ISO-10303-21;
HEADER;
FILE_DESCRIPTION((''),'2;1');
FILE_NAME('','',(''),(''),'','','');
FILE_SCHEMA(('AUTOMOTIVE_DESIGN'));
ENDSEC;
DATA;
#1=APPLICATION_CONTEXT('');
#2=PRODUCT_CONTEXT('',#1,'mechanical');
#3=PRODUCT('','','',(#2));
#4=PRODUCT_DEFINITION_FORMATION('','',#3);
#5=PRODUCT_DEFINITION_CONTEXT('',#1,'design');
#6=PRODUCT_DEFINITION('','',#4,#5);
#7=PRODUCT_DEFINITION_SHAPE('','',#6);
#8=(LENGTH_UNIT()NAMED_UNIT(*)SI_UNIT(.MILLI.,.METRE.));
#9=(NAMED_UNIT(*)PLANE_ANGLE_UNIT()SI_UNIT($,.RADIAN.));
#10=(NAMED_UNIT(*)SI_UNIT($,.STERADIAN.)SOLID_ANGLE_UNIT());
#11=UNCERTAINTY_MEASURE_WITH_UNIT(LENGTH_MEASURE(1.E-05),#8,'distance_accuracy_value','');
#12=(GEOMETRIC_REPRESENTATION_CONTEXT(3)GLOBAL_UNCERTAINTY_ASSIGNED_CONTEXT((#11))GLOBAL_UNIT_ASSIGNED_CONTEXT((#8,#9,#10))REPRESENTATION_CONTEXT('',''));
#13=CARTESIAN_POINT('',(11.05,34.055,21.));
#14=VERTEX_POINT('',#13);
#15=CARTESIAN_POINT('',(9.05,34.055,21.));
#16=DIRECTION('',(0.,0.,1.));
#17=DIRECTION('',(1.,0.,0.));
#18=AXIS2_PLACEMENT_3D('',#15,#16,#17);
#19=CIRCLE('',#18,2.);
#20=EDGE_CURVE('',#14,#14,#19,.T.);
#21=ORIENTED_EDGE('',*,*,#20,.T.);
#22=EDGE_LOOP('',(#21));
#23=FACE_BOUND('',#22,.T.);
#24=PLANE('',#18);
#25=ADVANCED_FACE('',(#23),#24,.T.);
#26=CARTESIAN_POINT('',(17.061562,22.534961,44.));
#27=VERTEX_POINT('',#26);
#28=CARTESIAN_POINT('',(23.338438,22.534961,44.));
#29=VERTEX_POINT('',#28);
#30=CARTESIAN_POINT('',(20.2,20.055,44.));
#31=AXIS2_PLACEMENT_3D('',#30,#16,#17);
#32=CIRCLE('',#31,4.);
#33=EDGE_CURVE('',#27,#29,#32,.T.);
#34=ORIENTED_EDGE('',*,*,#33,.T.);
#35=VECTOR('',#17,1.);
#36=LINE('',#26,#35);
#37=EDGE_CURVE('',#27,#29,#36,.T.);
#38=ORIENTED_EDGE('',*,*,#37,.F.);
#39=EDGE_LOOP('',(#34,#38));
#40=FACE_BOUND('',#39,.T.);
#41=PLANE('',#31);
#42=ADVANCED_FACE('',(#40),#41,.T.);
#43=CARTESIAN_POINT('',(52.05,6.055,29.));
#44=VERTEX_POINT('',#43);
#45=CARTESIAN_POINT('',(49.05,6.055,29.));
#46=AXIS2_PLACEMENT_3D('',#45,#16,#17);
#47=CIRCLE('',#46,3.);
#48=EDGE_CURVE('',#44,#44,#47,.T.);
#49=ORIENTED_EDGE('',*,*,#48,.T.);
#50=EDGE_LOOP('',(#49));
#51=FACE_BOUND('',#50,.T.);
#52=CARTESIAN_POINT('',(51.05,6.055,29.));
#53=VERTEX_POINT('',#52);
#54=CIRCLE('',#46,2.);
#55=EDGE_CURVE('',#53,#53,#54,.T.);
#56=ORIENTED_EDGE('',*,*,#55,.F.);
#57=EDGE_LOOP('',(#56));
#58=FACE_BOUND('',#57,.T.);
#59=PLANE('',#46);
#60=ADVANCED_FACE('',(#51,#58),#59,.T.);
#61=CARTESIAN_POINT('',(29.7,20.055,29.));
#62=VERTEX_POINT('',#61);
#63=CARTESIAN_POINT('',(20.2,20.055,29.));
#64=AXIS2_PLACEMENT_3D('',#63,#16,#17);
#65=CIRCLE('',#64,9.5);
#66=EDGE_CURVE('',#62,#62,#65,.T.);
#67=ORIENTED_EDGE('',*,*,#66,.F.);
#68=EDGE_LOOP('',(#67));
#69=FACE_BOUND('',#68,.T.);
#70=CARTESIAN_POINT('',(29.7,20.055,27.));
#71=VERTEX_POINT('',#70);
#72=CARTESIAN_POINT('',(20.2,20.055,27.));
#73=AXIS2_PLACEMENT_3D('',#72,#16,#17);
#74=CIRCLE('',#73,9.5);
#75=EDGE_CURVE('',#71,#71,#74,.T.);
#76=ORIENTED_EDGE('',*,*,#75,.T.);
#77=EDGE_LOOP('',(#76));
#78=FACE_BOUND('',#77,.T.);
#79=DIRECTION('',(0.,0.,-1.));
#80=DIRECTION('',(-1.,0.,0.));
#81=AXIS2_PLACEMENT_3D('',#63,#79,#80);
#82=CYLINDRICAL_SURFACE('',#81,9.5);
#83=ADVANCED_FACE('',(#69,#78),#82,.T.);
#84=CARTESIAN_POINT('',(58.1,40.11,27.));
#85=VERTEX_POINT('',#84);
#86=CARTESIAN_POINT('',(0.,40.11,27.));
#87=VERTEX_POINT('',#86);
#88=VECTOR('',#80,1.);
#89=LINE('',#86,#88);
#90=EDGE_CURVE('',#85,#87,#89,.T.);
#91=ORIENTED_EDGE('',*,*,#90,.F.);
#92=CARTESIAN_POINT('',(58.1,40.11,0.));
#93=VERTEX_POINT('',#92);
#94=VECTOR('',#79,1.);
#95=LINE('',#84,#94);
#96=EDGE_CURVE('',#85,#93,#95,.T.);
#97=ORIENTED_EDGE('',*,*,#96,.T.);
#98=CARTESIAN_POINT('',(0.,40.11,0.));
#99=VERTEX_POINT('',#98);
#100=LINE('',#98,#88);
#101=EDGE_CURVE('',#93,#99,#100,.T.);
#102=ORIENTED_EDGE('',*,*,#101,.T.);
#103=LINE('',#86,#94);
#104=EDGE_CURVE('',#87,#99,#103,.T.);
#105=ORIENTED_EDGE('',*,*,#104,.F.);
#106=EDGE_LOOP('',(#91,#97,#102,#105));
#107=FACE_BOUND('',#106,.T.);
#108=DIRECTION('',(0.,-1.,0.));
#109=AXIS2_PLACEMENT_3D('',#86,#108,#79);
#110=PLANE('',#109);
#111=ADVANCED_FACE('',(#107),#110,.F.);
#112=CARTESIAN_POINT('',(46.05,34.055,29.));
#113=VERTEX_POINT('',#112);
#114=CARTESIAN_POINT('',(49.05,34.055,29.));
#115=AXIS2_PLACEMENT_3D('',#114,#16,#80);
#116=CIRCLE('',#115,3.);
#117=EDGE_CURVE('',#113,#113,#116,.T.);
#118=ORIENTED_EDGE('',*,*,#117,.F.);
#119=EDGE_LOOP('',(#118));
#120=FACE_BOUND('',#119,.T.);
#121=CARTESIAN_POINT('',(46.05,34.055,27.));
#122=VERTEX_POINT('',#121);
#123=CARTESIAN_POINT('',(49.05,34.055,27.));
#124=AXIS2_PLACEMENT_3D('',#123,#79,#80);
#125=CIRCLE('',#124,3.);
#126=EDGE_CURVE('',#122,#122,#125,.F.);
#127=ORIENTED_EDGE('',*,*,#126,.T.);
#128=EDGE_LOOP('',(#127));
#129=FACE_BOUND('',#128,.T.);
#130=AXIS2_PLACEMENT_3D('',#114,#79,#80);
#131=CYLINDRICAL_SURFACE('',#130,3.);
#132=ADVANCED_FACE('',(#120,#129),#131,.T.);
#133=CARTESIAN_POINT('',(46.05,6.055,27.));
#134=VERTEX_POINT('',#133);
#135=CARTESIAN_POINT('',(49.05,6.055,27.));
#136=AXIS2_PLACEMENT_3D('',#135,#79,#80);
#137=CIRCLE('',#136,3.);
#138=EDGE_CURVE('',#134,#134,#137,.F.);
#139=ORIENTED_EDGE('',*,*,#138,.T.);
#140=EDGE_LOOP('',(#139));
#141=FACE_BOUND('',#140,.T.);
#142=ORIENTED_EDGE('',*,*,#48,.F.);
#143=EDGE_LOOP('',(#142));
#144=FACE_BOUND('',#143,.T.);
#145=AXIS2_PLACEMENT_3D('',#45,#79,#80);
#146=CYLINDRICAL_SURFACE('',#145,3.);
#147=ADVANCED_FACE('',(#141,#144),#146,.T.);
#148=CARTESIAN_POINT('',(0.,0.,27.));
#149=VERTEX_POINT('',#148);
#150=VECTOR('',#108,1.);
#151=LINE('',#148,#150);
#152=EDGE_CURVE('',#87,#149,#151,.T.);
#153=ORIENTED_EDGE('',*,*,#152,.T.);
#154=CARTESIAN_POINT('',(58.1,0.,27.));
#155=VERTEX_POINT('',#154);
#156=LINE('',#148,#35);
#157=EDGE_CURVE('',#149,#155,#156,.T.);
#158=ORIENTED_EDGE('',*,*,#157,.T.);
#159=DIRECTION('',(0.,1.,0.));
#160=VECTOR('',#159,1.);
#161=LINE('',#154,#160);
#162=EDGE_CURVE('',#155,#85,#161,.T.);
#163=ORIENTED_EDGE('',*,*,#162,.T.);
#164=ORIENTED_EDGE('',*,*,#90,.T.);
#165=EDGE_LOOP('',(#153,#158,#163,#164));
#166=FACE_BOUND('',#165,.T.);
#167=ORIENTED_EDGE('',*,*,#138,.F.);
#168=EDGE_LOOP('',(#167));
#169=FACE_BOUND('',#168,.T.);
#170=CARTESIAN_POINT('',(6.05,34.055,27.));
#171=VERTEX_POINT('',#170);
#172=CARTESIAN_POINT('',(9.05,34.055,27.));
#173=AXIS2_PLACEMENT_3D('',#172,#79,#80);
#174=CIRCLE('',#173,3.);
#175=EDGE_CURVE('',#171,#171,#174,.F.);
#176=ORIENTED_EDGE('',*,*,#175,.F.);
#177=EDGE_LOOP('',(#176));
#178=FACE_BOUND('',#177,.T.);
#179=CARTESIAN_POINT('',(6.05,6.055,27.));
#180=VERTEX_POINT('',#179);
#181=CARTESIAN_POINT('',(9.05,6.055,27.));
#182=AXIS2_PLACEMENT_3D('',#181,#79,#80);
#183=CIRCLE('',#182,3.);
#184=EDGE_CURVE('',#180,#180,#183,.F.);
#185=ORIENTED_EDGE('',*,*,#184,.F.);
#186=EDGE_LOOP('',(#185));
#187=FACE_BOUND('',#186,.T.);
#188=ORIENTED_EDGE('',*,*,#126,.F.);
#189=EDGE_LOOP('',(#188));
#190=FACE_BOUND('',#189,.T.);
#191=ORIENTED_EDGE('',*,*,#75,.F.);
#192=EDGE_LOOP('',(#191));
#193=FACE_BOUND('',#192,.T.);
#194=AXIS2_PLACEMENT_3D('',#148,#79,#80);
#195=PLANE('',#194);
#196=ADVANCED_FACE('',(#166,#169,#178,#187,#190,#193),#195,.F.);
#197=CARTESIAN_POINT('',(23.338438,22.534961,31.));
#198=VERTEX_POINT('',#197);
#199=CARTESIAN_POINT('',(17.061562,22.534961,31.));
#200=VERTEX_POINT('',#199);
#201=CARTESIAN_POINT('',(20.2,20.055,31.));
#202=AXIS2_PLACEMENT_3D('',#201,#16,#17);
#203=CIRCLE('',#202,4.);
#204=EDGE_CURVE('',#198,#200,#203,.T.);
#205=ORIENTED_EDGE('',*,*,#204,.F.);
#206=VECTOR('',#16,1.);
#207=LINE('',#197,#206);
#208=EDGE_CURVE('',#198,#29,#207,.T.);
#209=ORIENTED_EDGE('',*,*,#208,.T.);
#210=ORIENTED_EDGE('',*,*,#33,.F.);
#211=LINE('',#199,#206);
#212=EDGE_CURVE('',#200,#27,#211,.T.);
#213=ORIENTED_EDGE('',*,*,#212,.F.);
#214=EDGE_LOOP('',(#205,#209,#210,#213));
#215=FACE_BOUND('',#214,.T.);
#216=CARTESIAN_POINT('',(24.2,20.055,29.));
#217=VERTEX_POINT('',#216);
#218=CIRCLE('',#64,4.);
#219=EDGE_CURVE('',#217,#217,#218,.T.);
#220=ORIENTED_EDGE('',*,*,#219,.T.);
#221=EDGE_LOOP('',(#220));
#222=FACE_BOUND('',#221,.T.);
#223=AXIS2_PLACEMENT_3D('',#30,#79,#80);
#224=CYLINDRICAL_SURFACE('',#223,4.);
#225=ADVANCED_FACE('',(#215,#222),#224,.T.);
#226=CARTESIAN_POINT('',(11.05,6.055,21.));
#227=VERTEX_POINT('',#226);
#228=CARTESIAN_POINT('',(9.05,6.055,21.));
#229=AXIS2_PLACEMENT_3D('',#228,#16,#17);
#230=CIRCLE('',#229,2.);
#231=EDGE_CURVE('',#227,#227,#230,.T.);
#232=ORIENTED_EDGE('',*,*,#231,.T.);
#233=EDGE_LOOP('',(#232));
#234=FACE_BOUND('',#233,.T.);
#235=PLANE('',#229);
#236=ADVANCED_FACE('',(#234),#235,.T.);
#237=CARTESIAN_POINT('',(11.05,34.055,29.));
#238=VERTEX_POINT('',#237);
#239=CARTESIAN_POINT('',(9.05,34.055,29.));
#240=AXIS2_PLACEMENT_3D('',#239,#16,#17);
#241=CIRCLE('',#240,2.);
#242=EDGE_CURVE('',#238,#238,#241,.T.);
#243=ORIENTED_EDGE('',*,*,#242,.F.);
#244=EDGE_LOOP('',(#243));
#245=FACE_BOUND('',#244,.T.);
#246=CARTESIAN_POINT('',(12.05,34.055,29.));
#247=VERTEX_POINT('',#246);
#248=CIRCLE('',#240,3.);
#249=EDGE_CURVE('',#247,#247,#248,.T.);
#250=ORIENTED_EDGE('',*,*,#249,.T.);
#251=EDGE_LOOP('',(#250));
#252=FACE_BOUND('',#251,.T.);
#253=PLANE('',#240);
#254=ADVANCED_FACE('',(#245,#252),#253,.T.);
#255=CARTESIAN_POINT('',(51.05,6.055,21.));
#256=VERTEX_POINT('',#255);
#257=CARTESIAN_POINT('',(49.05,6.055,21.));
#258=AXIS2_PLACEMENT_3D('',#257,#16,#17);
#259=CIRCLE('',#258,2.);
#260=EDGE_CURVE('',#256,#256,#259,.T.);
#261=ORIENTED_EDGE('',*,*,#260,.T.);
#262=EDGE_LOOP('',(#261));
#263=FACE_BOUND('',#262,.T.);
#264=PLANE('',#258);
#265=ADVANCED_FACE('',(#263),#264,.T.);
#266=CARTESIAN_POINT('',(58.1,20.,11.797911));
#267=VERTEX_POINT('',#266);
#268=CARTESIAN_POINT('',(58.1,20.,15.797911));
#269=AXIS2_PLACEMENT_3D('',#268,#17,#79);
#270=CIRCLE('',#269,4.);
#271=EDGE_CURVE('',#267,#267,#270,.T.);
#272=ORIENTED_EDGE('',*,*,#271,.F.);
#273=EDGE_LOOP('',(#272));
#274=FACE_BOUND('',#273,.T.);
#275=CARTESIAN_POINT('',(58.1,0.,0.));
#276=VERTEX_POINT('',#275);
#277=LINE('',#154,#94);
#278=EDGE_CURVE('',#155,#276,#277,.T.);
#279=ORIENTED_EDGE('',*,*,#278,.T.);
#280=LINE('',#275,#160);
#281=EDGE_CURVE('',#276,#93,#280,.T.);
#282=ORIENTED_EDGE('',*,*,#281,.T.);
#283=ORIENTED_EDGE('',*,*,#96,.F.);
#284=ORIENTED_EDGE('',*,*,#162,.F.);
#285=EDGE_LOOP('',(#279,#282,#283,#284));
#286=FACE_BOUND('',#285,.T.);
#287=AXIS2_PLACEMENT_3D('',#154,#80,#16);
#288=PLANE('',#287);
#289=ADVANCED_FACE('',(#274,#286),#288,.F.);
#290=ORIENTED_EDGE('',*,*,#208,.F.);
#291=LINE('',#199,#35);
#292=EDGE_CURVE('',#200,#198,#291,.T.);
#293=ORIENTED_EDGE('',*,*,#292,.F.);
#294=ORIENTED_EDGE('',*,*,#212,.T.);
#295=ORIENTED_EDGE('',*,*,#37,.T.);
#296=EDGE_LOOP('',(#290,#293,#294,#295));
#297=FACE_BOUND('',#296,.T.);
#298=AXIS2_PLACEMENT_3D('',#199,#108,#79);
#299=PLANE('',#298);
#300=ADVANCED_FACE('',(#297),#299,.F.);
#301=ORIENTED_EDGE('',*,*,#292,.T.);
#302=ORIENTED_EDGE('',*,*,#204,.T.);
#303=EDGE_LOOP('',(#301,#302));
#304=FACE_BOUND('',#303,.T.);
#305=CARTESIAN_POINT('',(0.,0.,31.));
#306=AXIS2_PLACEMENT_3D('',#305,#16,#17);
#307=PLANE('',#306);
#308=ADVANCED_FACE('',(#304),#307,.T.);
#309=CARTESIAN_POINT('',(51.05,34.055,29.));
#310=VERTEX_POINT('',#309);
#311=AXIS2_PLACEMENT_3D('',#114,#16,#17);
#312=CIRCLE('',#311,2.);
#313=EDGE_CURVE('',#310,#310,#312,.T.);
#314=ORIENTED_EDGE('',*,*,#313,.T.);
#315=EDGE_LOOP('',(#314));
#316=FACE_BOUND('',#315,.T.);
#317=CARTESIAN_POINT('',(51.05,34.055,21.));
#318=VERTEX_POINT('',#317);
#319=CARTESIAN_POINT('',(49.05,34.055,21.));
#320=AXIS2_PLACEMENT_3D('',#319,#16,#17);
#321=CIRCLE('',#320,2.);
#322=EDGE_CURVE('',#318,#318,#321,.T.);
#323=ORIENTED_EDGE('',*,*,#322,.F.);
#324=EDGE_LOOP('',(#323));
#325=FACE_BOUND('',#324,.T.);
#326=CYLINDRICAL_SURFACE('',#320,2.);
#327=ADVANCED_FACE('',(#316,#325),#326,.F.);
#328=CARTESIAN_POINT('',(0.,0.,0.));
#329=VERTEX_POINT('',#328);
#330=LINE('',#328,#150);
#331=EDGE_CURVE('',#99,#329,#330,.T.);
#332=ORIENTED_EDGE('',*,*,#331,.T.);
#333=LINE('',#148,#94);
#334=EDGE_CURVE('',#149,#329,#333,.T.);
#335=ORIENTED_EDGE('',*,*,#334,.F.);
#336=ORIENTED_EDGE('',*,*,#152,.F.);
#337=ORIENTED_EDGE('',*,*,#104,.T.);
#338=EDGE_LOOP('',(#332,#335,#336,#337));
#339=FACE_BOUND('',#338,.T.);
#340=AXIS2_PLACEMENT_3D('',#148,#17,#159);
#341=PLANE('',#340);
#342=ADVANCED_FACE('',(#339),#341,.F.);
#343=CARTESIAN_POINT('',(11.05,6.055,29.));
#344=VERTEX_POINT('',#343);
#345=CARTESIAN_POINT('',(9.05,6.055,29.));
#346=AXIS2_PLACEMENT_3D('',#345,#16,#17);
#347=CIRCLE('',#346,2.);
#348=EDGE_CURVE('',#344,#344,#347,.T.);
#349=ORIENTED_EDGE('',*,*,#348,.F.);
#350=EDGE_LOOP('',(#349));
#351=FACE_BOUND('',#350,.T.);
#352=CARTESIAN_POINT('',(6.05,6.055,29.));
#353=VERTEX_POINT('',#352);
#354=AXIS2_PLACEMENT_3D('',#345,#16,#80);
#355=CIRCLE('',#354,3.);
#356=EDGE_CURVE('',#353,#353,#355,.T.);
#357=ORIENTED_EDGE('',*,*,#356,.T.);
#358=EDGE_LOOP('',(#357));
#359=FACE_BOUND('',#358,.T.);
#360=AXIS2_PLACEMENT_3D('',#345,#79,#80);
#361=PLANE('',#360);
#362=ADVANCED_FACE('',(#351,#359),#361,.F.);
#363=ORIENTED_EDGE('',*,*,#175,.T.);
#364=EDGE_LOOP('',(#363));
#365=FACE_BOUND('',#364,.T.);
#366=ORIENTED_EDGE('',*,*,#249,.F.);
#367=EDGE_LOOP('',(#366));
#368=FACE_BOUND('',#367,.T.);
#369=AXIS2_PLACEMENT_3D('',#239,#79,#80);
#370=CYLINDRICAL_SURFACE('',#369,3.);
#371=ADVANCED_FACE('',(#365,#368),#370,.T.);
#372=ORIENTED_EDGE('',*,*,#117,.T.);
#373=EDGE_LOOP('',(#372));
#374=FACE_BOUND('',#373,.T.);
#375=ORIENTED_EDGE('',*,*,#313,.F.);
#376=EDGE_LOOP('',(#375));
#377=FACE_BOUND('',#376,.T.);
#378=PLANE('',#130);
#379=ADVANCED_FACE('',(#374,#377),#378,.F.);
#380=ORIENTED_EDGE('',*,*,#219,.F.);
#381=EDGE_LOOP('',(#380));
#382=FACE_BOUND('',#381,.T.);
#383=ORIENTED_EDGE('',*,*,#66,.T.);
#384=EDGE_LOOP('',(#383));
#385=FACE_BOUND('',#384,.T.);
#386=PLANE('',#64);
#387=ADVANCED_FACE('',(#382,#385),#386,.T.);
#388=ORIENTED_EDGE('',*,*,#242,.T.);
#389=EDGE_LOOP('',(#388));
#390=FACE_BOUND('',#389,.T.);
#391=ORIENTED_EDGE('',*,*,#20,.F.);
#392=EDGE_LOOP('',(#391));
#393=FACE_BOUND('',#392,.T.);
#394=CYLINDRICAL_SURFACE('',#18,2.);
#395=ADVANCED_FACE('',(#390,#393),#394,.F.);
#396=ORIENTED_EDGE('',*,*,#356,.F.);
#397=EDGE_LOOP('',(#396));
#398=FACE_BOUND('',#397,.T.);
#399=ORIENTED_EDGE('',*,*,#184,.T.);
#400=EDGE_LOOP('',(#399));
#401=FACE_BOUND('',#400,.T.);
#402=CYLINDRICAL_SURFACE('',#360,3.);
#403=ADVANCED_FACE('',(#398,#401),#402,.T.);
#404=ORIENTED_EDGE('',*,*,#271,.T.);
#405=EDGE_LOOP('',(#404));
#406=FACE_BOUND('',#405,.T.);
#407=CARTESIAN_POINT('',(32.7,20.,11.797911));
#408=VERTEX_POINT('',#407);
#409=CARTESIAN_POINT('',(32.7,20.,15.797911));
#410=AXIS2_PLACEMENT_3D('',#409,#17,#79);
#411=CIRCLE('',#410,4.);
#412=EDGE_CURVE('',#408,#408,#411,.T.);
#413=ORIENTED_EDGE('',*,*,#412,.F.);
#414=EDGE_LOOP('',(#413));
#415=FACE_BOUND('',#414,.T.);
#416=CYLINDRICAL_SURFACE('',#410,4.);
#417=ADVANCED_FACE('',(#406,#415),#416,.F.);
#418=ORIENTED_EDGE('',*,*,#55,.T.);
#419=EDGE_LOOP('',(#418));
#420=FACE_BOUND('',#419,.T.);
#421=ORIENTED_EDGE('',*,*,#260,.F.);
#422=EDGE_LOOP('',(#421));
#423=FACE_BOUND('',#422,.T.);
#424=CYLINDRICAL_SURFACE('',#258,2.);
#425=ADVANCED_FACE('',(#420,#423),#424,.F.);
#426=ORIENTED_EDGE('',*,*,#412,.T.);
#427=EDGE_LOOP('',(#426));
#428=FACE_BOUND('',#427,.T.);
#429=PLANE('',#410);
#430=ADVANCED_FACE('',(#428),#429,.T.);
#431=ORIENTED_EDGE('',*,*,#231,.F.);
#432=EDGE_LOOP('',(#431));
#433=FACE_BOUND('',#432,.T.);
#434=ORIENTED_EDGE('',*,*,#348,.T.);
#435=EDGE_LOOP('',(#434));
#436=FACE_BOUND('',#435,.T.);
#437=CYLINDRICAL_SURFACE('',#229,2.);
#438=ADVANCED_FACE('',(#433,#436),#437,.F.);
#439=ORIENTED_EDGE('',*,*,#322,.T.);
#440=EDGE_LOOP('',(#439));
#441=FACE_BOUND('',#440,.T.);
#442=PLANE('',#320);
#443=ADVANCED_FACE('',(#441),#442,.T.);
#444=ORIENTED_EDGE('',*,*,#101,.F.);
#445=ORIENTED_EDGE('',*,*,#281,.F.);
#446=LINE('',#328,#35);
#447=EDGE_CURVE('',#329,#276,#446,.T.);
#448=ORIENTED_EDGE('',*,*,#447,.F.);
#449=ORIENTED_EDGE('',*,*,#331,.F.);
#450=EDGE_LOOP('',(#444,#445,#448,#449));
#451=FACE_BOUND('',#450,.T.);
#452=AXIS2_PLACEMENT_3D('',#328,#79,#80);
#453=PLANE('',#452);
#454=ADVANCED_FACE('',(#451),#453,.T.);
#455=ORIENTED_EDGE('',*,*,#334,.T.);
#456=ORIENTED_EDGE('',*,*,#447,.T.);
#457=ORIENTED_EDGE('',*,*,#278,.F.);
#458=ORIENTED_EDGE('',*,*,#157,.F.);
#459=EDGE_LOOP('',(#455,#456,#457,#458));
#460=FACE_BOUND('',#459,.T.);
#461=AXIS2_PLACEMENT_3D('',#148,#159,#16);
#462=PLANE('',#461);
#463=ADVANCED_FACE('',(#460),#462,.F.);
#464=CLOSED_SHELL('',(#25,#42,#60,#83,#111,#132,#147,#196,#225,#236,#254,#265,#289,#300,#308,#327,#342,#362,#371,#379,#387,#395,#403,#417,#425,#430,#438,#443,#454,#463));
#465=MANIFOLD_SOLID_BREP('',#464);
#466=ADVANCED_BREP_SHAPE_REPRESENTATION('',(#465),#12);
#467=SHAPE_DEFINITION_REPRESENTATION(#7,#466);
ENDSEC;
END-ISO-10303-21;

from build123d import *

# Parameters (mm, degrees)
SKETCH1_W           = 58.1
SKETCH1_H           = 40.11
BOSS_EXTRUDE1_DEPTH = 27
SKETCH2_R           = 9.5
BOSS_EXTRUDE2_DEPTH = 2
SKETCH3_R           = 4
BOSS_EXTRUDE3_DEPTH = 15
SKETCH4_W           = 6.276876118
SKETCH4_H           = 1.998885949
CUT_EXTRUDE1_DEPTH  = 13
SKETCH5_R           = 3
BOSS_EXTRUDE4_DEPTH = 2
SKETCH6_R           = 2
CUT_EXTRUDE2_DEPTH  = 8
SKETCH7_R           = 4
CUT_EXTRUDE3_DEPTH  = 25.4


with BuildPart() as part:
    # Sketch1 → Boss-Extrude1 (new body)
    with BuildSketch(Plane.XY):
        with Locations((29.05, 20.055)):
            Rectangle(SKETCH1_W, SKETCH1_H)
    extrude(amount=BOSS_EXTRUDE1_DEPTH)

    # Sketch2 → Boss-Extrude2 (add)
    with BuildSketch(Plane.XY.offset(27)):
        with Locations((20.2, 20.055)):
            Circle(SKETCH2_R)
    extrude(amount=BOSS_EXTRUDE2_DEPTH)

    # Sketch3 → Boss-Extrude3 (add)
    with BuildSketch(Plane.XY.offset(29)):
        with Locations((20.2, 20.055)):
            Circle(SKETCH3_R)
    extrude(amount=BOSS_EXTRUDE3_DEPTH)

    # Sketch4 → Cut-Extrude1 (cut)
    with BuildSketch(Plane.XY.offset(44)):
        with Locations((20.2, 23.534403972)):
            Rectangle(SKETCH4_W, SKETCH4_H)
    extrude(amount=-CUT_EXTRUDE1_DEPTH, mode=Mode.SUBTRACT)

    # Sketch5 → Boss-Extrude4 (add)
    with BuildSketch(Plane.XY.offset(27)):
        with Locations((9.05, 34.055)):
            Circle(SKETCH5_R)
        with Locations((49.05, 34.055)):
            Circle(SKETCH5_R)
        with Locations((49.05, 6.055)):
            Circle(SKETCH5_R)
        with Locations((9.05, 6.055)):
            Circle(SKETCH5_R)
    extrude(amount=BOSS_EXTRUDE4_DEPTH)

    # Sketch6 → Cut-Extrude2 (cut)
    with BuildSketch(Plane.XY.offset(29)):
        with Locations((9.05, 34.055)):
            Circle(SKETCH6_R)
        with Locations((49.05, 34.055)):
            Circle(SKETCH6_R)
        with Locations((49.05, 6.055)):
            Circle(SKETCH6_R)
        with Locations((9.05, 6.055)):
            Circle(SKETCH6_R)
    extrude(amount=-CUT_EXTRUDE2_DEPTH, mode=Mode.SUBTRACT)

    # Sketch7 → Cut-Extrude3 (cut)
    with BuildSketch(Plane(origin=(58.1, 0, 0), x_dir=(0, 0, -1), z_dir=(1, 0, 0))):
        with Locations((-15.797911108, 20)):
            Circle(SKETCH7_R)
    extrude(amount=-CUT_EXTRUDE3_DEPTH, mode=Mode.SUBTRACT)


solid = part.part
